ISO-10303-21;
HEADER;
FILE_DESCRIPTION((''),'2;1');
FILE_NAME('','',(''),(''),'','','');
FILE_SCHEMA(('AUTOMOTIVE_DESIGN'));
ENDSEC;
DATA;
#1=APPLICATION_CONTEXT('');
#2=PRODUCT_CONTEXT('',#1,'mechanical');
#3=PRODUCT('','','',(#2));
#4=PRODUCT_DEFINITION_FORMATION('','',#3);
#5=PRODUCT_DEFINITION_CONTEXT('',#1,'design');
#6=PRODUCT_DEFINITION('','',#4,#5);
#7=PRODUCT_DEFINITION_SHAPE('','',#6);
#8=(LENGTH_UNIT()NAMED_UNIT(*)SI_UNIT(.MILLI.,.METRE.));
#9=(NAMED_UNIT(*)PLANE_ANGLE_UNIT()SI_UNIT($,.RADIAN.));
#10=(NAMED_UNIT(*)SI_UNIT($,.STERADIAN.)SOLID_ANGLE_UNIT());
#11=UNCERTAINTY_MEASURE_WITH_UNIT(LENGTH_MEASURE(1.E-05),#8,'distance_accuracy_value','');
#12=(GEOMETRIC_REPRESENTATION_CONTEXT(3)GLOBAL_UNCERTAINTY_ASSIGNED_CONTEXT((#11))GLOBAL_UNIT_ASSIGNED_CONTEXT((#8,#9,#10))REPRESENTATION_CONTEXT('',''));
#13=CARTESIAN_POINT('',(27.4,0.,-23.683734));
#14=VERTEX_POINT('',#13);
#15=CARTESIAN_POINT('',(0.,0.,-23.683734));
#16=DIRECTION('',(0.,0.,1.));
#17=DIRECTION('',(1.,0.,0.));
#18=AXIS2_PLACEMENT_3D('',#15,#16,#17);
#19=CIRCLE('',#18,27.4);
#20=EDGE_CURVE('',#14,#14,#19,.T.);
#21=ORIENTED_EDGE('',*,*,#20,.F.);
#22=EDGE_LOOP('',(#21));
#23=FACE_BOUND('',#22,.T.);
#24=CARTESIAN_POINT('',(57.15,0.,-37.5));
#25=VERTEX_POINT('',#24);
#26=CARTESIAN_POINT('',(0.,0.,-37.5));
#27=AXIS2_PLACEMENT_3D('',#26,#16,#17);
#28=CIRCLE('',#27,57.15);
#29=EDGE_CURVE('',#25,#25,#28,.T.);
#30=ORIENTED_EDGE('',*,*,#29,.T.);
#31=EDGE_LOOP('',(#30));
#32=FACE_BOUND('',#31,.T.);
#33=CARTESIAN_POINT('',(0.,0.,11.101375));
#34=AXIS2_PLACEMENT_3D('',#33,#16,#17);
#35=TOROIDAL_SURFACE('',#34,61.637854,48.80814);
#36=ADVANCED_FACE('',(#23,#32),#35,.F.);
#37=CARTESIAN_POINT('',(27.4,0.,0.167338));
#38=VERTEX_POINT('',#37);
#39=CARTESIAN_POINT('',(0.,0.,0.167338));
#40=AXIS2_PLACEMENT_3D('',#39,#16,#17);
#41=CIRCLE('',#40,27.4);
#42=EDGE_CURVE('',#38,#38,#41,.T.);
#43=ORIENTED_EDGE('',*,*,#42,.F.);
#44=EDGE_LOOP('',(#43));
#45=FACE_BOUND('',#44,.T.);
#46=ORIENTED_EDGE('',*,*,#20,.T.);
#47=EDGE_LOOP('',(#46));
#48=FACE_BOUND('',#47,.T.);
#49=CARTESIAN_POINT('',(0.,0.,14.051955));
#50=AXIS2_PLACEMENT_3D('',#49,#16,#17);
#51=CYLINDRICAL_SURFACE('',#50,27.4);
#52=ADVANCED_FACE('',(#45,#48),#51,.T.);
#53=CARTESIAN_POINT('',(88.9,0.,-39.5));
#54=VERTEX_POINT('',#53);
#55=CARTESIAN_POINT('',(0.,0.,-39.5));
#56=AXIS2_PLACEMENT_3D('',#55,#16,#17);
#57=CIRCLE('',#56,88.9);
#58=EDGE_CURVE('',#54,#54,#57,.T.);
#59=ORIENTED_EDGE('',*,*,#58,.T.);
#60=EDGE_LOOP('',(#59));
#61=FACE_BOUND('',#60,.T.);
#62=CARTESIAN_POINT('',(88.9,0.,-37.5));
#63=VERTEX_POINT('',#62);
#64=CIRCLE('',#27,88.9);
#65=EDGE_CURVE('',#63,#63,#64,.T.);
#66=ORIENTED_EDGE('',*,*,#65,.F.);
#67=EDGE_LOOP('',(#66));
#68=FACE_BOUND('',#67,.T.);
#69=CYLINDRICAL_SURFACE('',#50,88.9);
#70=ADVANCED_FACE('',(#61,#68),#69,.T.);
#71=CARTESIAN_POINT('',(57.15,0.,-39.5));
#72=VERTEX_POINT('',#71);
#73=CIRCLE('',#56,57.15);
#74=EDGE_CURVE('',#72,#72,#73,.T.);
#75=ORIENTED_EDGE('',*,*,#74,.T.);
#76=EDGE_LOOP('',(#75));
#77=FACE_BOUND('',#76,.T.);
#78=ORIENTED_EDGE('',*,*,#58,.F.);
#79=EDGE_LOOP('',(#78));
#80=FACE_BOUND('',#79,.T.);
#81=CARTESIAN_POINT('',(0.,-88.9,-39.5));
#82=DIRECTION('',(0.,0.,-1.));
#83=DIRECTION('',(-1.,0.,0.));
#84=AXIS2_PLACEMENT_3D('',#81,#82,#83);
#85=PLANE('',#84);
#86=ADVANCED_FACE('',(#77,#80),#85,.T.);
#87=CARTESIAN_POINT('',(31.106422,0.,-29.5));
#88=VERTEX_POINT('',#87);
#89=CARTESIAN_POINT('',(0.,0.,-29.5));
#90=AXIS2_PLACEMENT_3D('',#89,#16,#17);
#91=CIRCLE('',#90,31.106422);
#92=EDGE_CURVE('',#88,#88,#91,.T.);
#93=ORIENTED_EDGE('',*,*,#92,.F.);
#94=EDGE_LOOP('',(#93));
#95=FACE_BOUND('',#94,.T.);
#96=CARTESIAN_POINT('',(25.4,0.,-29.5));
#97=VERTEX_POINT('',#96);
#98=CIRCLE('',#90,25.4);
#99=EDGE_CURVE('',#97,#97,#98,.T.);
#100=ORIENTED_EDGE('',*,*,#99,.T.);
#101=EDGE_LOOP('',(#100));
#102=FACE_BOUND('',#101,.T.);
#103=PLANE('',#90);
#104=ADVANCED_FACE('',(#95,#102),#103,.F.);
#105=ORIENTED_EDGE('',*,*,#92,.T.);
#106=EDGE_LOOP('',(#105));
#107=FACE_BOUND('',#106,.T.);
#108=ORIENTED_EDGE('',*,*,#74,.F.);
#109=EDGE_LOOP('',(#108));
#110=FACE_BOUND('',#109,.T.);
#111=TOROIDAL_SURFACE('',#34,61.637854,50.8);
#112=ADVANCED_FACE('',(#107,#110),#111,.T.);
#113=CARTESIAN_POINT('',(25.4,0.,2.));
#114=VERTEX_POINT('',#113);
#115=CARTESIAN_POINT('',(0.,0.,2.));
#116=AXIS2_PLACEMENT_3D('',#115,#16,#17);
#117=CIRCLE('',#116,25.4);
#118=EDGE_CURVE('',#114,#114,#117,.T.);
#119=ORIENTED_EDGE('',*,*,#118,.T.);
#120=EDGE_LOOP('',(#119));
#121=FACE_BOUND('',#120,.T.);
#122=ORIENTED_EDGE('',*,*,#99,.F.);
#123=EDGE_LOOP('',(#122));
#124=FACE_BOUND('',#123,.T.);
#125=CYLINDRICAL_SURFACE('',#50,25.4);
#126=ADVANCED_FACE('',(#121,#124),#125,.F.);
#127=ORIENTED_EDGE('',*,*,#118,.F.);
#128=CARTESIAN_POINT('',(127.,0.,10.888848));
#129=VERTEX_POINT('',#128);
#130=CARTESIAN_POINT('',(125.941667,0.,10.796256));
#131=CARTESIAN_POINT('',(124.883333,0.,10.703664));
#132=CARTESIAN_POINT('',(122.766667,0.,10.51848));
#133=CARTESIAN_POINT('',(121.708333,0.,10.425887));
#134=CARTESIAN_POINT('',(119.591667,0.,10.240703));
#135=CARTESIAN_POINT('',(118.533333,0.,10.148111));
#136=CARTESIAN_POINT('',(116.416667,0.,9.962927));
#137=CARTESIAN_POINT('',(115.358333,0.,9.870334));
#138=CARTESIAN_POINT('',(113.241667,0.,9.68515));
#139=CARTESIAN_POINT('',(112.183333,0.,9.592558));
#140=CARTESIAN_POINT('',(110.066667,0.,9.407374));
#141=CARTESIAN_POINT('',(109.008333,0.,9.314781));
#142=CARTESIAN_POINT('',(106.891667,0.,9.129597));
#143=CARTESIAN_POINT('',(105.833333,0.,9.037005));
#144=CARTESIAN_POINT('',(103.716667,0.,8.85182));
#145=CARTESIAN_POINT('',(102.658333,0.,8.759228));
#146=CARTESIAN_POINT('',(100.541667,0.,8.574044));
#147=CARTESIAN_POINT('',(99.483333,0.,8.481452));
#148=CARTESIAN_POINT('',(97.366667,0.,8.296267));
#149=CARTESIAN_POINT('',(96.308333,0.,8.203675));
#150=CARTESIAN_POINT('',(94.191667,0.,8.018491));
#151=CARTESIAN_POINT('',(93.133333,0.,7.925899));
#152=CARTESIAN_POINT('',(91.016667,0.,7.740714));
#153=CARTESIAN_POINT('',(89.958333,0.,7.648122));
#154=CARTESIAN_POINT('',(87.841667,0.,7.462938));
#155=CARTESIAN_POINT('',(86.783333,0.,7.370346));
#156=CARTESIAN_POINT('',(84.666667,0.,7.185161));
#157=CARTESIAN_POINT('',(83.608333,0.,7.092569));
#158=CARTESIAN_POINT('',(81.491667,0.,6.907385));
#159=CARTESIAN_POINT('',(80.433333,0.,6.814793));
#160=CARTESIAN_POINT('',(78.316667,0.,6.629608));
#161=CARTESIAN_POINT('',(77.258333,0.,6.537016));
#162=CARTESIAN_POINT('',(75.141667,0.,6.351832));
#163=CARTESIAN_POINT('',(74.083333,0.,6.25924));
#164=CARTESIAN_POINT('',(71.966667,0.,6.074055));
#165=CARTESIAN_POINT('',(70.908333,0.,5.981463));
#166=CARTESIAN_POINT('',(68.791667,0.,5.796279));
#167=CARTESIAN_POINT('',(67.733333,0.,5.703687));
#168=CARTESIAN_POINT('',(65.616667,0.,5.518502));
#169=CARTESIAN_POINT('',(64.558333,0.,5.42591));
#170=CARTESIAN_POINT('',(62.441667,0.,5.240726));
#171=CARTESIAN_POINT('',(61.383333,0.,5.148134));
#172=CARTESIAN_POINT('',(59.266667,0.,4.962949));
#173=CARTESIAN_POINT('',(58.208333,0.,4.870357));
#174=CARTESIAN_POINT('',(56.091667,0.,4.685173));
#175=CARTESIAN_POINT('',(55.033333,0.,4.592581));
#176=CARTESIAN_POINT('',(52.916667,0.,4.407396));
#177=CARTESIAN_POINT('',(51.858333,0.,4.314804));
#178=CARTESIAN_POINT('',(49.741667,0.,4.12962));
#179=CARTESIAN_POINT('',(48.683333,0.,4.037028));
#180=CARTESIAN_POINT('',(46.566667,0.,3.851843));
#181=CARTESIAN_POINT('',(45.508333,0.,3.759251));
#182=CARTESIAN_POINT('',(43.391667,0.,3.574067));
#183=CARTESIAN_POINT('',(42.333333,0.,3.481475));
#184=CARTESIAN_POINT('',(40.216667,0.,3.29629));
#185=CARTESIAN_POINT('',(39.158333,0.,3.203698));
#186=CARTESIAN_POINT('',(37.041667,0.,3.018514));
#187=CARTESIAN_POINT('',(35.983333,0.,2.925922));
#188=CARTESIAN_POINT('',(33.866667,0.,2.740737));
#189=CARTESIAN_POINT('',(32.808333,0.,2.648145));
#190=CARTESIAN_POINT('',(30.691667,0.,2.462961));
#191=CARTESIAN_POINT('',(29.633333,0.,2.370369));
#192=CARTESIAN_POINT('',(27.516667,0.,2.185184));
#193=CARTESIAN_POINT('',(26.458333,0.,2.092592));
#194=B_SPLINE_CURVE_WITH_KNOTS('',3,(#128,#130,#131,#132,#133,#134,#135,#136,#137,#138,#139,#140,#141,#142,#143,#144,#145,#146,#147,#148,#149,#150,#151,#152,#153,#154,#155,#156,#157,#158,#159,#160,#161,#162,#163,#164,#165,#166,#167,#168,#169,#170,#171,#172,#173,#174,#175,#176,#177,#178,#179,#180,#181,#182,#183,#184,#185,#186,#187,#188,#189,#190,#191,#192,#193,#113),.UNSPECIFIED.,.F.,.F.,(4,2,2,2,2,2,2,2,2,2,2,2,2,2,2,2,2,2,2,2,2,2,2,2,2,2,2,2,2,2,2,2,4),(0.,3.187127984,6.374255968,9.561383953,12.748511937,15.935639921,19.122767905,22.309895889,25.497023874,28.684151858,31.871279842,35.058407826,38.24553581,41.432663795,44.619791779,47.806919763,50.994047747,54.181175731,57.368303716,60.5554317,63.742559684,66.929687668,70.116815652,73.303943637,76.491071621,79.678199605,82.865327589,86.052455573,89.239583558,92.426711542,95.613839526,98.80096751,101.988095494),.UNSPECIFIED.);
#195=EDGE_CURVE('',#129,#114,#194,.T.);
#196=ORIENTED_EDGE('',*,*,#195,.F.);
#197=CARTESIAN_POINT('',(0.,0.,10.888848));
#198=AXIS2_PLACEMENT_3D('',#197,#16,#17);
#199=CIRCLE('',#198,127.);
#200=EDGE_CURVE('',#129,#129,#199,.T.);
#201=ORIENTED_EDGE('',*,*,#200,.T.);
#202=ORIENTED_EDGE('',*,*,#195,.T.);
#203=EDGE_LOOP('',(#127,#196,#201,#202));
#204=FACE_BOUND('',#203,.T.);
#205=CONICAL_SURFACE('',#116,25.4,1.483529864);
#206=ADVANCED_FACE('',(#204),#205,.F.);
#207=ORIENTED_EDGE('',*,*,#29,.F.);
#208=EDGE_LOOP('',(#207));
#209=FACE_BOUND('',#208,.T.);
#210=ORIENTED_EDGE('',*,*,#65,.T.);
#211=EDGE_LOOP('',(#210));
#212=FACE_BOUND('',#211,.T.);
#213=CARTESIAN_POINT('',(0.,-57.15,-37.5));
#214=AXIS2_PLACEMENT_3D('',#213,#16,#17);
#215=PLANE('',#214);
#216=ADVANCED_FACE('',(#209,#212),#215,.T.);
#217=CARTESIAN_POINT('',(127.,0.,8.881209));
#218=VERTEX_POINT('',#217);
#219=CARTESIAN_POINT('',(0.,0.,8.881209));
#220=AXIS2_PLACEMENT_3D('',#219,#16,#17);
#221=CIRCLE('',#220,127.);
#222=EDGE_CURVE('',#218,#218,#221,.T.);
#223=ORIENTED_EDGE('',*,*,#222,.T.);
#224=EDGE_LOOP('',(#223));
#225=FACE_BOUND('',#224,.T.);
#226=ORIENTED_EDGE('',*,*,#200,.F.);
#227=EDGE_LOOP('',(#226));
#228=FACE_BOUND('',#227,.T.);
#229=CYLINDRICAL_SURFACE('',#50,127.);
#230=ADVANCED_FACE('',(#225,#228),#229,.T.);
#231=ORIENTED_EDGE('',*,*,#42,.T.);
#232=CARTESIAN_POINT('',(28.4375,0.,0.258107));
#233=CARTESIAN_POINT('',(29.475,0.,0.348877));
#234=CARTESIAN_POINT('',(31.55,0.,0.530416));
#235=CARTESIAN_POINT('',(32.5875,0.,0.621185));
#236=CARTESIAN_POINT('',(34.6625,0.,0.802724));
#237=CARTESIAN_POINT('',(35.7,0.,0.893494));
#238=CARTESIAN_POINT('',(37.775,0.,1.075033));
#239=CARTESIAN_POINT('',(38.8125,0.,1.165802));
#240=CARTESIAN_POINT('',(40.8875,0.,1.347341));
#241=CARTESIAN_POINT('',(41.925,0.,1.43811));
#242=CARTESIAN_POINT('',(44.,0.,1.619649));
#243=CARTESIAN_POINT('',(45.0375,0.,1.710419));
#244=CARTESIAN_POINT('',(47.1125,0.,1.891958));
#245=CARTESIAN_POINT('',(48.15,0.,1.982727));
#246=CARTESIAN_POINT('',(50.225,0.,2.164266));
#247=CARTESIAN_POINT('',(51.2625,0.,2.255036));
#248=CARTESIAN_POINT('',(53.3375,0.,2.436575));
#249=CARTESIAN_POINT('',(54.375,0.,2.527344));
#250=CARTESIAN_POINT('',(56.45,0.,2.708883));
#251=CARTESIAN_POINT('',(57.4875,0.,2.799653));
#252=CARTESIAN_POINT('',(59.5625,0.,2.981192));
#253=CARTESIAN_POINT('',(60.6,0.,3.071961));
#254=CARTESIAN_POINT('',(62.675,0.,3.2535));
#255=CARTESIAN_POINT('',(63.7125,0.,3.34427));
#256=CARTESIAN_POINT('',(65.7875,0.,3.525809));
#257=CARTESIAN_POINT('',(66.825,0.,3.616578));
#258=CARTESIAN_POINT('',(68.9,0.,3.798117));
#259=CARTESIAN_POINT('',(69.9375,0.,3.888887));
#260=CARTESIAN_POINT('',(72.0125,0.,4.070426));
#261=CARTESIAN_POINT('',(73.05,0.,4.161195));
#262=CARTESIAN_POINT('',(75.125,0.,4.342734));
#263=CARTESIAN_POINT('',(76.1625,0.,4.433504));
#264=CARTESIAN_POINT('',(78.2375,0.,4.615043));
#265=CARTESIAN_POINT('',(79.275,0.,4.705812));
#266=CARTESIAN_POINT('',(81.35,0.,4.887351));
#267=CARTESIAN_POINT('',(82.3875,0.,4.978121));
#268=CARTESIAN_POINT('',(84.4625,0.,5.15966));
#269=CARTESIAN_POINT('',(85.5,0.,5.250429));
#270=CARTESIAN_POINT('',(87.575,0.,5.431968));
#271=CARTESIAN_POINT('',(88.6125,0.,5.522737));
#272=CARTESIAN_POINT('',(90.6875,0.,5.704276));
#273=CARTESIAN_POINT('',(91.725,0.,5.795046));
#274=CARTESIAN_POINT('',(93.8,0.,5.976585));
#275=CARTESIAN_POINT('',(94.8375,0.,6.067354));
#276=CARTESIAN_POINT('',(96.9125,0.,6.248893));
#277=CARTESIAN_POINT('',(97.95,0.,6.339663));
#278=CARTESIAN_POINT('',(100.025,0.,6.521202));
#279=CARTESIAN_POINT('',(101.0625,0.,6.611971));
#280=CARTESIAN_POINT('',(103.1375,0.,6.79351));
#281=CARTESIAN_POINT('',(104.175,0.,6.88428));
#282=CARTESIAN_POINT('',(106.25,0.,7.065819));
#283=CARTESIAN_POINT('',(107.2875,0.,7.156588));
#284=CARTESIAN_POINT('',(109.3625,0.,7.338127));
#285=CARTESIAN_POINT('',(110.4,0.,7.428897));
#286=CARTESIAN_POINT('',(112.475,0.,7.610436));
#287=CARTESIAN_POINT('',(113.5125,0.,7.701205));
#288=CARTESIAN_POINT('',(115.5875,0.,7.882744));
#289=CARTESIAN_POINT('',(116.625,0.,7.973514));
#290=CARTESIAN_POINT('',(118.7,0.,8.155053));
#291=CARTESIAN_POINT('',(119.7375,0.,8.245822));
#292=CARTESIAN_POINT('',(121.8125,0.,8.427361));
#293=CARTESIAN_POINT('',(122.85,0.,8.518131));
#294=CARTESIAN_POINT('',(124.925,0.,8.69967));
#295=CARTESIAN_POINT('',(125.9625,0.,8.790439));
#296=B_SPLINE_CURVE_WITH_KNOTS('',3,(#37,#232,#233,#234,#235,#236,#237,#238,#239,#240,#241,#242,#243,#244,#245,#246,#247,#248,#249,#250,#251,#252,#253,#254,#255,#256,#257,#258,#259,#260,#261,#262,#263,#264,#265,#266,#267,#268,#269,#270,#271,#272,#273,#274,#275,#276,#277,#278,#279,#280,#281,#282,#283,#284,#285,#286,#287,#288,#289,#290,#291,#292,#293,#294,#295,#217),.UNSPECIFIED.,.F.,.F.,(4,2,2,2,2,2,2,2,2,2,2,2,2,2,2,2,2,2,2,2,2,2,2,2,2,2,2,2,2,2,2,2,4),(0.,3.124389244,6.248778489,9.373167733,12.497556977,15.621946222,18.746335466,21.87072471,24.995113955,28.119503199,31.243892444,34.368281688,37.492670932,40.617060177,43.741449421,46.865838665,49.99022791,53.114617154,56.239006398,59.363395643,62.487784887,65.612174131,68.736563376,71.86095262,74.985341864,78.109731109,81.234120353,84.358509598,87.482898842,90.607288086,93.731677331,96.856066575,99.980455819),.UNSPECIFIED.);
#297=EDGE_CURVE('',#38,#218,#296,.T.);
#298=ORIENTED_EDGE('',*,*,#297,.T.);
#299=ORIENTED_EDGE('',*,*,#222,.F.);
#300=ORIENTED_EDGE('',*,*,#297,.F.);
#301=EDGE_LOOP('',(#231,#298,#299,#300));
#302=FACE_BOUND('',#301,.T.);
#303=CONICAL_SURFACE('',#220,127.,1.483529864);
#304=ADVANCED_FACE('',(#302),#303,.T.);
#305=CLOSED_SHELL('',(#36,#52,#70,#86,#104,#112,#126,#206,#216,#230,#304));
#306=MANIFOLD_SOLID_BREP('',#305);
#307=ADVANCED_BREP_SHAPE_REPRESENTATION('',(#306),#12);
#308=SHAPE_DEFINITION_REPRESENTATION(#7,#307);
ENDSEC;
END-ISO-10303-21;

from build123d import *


with BuildPart() as part:
    # Sketch1 → Revolve1 (revolve)
    with BuildSketch(Plane.YZ, mode=Mode.PRIVATE) as revolve1_sk:
        with BuildLine():
            ThreePointArc((-57.15, -39.5), (-43.428307314, -36.322800112), (-31.106422396, -29.5))
            Line((-31.106422396, -29.5), (-25.4, -29.5))
            Line((-25.4, -29.5), (-25.4, 2))
            Line((-25.4, 2), (-127, 10.888848214))
            Line((-127, 10.888848214), (-127, 8.881208539))
            Line((-127, 8.881208539), (-27.4, 0.167337652))
            Line((-27.4, 0.167337652), (-27.4, -23.683734158))
            ThreePointArc((-27.4, -23.683734158), (-41.079585236, -33.165904784), (-57.15, -37.5))
            Line((-57.15, -37.5), (-88.9, -37.5))
            Line((-88.9, -37.5), (-88.9, -39.5))
            Line((-88.9, -39.5), (-57.15, -39.5))
        make_face()
    revolve(revolve1_sk.sketch.rotate(Axis((0, 0, 14.051954895), (0, 0, -1)), 270), axis=Axis((0, 0, 14.051954895), (0, 0, -1)))


solid = part.part
